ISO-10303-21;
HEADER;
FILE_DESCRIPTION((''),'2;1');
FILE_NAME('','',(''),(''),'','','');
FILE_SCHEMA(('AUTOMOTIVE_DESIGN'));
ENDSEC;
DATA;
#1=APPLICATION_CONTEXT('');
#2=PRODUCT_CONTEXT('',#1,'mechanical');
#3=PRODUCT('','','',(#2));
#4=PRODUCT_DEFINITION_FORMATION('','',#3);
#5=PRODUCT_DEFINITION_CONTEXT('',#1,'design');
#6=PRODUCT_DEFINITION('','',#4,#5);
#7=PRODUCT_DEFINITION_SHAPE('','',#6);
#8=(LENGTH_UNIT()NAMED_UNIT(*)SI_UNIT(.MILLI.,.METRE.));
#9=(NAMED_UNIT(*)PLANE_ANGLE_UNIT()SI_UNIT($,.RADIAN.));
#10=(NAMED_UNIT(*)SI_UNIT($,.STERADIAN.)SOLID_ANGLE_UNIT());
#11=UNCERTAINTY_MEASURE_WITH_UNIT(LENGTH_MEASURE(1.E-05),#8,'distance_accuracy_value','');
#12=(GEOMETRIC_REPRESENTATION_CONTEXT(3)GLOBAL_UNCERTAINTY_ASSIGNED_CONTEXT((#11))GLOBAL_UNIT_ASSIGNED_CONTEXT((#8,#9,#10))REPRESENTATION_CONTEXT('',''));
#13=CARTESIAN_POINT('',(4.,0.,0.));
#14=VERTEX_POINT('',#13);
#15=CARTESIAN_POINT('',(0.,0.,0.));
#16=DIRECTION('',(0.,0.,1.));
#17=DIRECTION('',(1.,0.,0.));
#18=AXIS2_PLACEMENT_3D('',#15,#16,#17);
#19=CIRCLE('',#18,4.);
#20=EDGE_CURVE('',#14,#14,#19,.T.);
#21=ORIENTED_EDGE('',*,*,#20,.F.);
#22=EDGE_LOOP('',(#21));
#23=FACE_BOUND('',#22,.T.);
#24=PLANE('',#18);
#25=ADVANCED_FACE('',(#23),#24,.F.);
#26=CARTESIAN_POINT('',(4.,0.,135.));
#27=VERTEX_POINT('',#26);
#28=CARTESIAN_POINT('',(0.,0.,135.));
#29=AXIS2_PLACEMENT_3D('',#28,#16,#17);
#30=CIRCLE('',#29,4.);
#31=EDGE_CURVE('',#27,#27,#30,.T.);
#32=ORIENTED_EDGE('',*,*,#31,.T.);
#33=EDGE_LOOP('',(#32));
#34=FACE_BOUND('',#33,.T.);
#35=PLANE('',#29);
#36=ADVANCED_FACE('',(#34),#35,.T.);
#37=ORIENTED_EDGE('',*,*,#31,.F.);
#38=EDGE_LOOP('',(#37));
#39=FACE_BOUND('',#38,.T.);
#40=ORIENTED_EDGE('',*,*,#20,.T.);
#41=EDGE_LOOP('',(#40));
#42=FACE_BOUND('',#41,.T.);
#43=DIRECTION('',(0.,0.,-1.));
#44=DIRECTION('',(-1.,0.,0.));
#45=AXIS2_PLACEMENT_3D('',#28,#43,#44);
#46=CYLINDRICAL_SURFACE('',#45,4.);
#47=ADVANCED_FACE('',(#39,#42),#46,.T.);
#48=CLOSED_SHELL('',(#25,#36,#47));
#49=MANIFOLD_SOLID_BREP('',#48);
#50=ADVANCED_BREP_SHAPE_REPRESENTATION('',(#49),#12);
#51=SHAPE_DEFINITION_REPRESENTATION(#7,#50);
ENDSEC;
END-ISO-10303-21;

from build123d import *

# Parameters (mm, degrees)
SKETCH1_R           = 4
BOSS_EXTRUDE1_DEPTH = 135


with BuildPart() as part:
    # Sketch1 → Boss-Extrude1 (new body)
    with BuildSketch(Plane.XY):
        Circle(SKETCH1_R)
    extrude(amount=BOSS_EXTRUDE1_DEPTH)


solid = part.part
